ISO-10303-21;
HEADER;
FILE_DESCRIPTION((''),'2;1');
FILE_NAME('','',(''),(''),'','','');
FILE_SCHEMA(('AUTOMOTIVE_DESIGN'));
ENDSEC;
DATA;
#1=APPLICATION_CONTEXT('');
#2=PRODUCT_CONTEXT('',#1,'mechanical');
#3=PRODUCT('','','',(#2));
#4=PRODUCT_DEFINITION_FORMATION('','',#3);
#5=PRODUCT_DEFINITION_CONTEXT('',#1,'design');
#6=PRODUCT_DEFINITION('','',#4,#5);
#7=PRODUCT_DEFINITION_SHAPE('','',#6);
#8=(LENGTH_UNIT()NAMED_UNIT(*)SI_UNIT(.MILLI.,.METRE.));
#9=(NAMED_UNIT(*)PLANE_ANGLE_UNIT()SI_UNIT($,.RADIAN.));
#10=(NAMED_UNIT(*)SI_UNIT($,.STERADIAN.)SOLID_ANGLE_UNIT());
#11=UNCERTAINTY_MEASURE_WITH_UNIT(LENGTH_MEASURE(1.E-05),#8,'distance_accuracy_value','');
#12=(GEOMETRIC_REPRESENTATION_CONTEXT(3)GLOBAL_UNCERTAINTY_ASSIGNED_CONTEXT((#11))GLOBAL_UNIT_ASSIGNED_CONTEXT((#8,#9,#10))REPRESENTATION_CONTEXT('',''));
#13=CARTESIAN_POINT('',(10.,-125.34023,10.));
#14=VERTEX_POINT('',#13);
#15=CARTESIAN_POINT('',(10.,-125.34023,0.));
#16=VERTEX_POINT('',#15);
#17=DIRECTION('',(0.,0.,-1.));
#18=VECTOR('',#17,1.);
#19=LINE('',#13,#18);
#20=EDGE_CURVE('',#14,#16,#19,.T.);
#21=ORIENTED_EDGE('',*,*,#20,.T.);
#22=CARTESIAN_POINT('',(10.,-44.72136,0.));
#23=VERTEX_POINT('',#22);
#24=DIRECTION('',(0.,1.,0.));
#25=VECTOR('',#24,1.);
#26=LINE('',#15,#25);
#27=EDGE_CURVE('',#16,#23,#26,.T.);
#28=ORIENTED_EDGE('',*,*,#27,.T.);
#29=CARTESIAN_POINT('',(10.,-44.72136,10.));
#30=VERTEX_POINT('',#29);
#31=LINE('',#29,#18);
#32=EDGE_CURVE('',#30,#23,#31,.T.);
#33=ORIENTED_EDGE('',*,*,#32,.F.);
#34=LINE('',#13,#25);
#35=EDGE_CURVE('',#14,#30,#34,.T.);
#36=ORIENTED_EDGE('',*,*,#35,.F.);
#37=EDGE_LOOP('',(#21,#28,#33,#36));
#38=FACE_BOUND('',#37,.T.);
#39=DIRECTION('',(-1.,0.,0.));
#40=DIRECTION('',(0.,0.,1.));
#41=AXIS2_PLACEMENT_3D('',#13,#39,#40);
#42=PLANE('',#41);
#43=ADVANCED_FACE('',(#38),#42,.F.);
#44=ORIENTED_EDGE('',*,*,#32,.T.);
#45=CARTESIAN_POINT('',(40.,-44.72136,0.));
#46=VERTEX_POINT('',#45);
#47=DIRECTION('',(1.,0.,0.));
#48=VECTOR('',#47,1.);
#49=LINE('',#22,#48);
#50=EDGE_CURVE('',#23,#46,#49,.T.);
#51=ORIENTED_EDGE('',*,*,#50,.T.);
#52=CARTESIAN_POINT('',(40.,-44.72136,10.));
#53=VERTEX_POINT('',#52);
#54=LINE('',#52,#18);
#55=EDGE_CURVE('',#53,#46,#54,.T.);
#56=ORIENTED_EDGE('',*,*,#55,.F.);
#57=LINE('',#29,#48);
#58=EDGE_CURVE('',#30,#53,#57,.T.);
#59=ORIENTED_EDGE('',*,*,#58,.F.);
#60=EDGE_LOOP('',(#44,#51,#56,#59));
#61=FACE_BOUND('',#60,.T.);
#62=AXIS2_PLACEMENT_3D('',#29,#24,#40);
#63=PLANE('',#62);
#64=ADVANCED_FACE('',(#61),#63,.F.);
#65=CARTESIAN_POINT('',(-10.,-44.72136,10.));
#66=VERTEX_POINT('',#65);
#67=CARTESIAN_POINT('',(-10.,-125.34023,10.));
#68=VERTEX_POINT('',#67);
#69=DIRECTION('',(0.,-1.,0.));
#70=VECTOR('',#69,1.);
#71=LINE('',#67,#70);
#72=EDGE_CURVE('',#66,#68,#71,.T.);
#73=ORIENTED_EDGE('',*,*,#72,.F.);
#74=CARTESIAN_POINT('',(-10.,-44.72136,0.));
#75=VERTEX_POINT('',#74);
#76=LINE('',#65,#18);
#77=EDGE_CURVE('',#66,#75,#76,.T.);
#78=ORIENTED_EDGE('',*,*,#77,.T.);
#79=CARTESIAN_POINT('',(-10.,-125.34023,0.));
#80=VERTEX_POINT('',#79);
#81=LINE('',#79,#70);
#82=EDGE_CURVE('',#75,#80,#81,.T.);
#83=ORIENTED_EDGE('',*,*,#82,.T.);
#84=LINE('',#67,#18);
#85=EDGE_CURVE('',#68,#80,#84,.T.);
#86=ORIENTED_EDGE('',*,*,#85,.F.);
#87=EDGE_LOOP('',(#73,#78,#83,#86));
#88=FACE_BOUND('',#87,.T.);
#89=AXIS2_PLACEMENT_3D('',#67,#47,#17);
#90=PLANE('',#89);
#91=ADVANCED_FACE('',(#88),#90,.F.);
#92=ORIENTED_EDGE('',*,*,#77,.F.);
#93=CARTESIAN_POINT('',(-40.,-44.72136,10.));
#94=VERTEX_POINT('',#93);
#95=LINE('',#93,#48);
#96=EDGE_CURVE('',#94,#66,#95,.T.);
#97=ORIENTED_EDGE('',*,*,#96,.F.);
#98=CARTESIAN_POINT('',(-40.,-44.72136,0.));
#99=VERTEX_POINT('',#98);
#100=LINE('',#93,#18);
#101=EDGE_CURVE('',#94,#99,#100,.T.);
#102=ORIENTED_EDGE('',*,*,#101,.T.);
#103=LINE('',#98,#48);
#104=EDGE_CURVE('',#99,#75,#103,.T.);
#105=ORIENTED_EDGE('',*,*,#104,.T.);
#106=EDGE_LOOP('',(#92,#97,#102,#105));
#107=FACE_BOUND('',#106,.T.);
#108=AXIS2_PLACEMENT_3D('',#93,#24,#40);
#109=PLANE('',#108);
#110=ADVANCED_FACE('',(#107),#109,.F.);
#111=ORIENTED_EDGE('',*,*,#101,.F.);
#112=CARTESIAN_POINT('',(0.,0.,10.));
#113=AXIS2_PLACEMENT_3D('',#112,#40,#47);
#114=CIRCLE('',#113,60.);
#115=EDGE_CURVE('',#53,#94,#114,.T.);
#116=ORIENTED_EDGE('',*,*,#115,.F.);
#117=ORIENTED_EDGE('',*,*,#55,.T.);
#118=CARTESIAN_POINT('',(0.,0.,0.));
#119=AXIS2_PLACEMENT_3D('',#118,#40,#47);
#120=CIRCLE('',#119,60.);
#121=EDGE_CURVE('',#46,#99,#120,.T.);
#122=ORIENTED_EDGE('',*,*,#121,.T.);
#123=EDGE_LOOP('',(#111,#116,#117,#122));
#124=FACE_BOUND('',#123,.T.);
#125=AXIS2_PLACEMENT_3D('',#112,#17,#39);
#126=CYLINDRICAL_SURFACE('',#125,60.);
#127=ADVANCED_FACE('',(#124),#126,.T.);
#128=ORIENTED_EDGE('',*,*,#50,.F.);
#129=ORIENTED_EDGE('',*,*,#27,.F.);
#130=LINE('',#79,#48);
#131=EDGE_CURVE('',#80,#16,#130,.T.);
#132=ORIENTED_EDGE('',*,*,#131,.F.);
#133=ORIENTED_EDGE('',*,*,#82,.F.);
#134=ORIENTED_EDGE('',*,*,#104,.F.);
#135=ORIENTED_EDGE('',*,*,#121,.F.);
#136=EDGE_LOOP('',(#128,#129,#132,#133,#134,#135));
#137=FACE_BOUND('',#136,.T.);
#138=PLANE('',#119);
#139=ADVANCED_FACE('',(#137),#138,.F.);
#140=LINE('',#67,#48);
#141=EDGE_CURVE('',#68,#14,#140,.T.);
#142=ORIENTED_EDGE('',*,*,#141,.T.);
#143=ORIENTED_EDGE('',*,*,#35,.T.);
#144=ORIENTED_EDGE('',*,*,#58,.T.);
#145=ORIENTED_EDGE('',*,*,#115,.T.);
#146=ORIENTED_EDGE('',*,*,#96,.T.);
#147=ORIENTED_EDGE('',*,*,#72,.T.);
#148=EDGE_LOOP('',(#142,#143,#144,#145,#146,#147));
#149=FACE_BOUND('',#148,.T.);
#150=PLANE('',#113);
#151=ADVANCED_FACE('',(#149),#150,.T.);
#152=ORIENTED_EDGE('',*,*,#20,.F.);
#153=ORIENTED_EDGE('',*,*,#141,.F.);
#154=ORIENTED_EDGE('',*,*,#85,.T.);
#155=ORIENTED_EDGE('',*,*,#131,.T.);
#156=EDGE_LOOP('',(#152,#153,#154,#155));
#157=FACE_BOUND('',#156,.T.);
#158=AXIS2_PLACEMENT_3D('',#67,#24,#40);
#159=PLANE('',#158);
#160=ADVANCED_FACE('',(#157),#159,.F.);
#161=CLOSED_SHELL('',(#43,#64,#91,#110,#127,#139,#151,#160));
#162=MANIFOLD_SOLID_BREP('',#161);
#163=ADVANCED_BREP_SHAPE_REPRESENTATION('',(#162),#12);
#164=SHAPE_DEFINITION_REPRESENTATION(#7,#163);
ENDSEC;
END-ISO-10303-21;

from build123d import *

# Parameters (mm, degrees)
BOSS_EXTRUDE1_DEPTH = 10


with BuildPart() as part:
    # Sketch1 → Boss-Extrude1 (new body)
    with BuildSketch(Plane.XY):
        with BuildLine():
            Line((-40, -44.72135955), (-10, -44.72135955))
            Line((-10, -44.72135955), (-10, -125.340230383))
            Line((-10, -125.340230383), (10, -125.340230383))
            Line((10, -125.340230383), (10, -44.72135955))
            Line((10, -44.72135955), (40, -44.72135955))
            ThreePointArc((40, -44.72135955), (0, 60), (-40, -44.72135955))
        make_face()
    extrude(amount=BOSS_EXTRUDE1_DEPTH)


solid = part.part
